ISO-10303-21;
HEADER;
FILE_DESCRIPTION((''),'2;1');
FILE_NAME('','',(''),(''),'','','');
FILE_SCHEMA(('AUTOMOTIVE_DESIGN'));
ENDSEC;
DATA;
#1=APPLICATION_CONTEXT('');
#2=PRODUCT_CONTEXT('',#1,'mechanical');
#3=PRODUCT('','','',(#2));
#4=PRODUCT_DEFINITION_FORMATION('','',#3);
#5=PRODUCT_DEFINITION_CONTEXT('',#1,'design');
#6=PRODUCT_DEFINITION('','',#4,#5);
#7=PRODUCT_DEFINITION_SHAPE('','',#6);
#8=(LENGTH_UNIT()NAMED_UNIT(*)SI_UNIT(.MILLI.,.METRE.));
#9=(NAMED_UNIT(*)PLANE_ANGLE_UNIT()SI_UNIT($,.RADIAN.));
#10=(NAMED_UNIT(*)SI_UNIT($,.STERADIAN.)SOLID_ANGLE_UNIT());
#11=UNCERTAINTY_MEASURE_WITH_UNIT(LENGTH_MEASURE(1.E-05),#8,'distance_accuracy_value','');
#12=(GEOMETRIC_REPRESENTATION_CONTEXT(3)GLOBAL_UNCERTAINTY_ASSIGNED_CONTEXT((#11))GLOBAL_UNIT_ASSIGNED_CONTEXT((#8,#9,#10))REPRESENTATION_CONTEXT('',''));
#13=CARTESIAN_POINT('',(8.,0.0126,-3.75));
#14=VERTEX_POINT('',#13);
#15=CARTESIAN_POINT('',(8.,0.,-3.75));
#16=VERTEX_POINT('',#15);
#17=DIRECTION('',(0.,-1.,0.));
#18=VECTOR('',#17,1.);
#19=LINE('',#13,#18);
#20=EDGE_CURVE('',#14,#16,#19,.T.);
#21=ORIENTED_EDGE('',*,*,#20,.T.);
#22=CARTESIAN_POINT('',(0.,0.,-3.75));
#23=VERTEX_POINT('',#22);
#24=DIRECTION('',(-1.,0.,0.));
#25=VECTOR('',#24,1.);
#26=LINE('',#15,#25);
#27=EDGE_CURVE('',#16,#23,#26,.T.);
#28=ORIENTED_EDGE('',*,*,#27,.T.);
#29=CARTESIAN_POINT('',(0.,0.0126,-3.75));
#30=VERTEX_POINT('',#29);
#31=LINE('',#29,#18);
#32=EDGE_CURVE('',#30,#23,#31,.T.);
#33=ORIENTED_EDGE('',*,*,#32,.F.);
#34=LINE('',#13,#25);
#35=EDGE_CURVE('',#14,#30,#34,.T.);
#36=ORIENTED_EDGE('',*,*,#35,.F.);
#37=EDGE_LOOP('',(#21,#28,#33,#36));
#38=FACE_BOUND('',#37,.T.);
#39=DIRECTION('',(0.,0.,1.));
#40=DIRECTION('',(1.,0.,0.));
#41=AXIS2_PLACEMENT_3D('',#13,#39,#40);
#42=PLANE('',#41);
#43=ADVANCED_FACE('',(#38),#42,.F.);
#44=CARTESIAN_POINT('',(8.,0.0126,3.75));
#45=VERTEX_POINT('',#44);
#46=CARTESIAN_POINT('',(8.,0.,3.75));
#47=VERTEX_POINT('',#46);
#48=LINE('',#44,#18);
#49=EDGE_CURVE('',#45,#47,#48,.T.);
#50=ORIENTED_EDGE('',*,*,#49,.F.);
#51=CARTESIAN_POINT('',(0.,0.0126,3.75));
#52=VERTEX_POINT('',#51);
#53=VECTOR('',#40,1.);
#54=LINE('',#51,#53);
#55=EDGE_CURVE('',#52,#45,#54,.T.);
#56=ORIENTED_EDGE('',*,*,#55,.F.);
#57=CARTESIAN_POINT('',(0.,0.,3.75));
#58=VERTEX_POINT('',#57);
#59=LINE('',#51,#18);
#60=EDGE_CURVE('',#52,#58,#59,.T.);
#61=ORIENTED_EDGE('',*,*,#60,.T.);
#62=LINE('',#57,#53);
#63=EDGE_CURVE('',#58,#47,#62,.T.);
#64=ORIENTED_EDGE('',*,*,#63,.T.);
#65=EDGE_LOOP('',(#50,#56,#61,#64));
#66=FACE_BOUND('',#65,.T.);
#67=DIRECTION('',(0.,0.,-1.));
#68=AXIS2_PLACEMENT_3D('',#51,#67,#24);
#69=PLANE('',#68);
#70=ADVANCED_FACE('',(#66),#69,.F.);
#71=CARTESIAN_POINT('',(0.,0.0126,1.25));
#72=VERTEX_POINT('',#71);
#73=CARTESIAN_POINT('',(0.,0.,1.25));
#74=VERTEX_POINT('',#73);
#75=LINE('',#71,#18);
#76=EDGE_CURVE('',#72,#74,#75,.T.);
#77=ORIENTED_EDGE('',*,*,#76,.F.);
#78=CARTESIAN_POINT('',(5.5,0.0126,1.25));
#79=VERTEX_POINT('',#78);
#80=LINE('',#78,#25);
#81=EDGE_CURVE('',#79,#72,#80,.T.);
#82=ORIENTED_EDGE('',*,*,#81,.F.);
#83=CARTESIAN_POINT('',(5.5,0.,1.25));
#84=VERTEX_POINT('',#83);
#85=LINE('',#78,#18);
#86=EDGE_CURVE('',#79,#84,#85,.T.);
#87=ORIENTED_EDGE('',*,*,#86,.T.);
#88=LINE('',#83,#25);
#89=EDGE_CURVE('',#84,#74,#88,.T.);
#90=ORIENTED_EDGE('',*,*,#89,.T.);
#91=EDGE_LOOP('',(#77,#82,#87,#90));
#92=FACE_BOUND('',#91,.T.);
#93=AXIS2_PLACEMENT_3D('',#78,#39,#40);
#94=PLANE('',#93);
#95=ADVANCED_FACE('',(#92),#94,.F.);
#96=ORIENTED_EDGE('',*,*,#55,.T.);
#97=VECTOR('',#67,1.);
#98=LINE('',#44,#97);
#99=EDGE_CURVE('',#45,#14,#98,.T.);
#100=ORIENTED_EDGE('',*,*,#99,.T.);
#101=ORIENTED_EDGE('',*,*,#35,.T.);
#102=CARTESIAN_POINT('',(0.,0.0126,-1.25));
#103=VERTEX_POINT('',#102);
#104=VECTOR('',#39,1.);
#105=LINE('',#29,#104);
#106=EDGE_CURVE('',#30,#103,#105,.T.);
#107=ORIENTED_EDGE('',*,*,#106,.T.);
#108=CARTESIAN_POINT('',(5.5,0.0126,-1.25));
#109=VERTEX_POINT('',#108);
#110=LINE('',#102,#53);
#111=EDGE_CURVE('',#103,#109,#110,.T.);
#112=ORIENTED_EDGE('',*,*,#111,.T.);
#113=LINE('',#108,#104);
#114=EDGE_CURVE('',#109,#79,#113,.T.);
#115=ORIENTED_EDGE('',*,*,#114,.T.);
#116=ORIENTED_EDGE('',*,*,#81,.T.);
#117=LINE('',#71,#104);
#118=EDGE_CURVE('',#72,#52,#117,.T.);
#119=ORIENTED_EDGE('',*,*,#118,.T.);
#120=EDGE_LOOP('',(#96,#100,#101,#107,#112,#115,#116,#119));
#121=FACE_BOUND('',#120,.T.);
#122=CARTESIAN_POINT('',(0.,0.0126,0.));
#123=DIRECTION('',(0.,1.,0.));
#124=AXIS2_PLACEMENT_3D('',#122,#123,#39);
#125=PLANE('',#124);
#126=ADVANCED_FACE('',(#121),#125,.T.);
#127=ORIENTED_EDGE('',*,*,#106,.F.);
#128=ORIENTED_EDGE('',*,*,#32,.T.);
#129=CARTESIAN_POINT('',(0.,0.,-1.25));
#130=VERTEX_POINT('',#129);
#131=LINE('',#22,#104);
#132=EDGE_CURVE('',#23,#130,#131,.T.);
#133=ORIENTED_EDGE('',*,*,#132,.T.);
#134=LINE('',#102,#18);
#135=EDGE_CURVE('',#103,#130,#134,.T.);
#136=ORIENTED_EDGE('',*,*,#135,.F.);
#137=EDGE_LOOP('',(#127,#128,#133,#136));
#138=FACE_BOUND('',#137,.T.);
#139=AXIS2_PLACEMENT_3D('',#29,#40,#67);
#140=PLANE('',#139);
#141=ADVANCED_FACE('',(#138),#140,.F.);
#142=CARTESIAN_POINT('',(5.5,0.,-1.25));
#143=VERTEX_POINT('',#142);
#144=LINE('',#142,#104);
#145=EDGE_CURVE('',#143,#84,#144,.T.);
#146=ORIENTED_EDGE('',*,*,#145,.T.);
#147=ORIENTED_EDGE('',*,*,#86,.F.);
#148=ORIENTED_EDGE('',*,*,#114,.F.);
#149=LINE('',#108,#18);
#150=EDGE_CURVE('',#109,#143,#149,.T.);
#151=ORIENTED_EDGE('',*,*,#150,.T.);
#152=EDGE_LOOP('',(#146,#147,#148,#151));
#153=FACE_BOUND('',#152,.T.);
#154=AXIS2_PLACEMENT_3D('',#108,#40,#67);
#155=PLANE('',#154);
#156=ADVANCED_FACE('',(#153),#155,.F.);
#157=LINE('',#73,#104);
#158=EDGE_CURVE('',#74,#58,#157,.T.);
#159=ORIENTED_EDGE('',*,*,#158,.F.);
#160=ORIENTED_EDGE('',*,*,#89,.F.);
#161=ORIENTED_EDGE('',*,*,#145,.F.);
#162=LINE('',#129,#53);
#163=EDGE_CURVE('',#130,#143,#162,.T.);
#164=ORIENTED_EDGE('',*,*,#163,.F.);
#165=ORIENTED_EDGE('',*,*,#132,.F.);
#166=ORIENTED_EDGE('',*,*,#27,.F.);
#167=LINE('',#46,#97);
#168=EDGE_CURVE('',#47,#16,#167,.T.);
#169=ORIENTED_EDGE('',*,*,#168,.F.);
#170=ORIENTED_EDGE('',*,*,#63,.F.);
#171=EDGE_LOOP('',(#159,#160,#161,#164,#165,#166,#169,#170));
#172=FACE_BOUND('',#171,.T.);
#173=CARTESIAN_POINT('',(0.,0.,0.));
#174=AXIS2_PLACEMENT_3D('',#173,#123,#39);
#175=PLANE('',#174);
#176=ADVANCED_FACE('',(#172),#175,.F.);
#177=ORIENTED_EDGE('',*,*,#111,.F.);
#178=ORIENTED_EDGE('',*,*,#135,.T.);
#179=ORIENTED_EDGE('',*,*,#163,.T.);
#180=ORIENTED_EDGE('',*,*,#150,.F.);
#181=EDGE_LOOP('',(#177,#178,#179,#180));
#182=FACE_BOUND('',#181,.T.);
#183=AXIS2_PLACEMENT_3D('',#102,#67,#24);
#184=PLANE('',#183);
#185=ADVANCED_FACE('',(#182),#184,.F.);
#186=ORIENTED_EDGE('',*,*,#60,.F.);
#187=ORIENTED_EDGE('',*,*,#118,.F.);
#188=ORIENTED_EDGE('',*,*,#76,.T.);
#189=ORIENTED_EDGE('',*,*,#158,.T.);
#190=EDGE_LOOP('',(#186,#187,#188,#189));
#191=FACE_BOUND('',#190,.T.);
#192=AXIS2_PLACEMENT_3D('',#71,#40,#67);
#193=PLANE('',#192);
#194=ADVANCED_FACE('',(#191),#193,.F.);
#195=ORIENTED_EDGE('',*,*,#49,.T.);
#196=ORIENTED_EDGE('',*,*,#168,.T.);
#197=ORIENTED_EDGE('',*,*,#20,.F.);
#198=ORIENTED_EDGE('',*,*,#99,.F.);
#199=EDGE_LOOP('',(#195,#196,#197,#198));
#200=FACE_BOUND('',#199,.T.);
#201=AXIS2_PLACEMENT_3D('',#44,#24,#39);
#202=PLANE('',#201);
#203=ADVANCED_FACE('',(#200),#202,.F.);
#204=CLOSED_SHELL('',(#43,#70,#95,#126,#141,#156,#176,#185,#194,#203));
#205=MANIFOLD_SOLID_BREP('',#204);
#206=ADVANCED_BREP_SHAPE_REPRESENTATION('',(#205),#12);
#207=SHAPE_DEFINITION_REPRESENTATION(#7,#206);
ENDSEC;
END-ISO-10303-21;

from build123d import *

# Parameters (mm, degrees)
BOSS_EXTRUDE1_DEPTH = 0.0126


with BuildPart() as part:
    # Sketch1 → Boss-Extrude1 (new body)
    with BuildSketch(Plane(origin=(0, 0, 0), x_dir=(1, 0, 0), z_dir=(0, 1, 0))):
        Polygon((0, 3.75), (0, 1.25), (5.5, 1.25), (5.5, -1.25), (0, -1.25), (0, -3.75), (8, -3.75), (8, 3.75), align=None)
    extrude(amount=BOSS_EXTRUDE1_DEPTH)


solid = part.part
